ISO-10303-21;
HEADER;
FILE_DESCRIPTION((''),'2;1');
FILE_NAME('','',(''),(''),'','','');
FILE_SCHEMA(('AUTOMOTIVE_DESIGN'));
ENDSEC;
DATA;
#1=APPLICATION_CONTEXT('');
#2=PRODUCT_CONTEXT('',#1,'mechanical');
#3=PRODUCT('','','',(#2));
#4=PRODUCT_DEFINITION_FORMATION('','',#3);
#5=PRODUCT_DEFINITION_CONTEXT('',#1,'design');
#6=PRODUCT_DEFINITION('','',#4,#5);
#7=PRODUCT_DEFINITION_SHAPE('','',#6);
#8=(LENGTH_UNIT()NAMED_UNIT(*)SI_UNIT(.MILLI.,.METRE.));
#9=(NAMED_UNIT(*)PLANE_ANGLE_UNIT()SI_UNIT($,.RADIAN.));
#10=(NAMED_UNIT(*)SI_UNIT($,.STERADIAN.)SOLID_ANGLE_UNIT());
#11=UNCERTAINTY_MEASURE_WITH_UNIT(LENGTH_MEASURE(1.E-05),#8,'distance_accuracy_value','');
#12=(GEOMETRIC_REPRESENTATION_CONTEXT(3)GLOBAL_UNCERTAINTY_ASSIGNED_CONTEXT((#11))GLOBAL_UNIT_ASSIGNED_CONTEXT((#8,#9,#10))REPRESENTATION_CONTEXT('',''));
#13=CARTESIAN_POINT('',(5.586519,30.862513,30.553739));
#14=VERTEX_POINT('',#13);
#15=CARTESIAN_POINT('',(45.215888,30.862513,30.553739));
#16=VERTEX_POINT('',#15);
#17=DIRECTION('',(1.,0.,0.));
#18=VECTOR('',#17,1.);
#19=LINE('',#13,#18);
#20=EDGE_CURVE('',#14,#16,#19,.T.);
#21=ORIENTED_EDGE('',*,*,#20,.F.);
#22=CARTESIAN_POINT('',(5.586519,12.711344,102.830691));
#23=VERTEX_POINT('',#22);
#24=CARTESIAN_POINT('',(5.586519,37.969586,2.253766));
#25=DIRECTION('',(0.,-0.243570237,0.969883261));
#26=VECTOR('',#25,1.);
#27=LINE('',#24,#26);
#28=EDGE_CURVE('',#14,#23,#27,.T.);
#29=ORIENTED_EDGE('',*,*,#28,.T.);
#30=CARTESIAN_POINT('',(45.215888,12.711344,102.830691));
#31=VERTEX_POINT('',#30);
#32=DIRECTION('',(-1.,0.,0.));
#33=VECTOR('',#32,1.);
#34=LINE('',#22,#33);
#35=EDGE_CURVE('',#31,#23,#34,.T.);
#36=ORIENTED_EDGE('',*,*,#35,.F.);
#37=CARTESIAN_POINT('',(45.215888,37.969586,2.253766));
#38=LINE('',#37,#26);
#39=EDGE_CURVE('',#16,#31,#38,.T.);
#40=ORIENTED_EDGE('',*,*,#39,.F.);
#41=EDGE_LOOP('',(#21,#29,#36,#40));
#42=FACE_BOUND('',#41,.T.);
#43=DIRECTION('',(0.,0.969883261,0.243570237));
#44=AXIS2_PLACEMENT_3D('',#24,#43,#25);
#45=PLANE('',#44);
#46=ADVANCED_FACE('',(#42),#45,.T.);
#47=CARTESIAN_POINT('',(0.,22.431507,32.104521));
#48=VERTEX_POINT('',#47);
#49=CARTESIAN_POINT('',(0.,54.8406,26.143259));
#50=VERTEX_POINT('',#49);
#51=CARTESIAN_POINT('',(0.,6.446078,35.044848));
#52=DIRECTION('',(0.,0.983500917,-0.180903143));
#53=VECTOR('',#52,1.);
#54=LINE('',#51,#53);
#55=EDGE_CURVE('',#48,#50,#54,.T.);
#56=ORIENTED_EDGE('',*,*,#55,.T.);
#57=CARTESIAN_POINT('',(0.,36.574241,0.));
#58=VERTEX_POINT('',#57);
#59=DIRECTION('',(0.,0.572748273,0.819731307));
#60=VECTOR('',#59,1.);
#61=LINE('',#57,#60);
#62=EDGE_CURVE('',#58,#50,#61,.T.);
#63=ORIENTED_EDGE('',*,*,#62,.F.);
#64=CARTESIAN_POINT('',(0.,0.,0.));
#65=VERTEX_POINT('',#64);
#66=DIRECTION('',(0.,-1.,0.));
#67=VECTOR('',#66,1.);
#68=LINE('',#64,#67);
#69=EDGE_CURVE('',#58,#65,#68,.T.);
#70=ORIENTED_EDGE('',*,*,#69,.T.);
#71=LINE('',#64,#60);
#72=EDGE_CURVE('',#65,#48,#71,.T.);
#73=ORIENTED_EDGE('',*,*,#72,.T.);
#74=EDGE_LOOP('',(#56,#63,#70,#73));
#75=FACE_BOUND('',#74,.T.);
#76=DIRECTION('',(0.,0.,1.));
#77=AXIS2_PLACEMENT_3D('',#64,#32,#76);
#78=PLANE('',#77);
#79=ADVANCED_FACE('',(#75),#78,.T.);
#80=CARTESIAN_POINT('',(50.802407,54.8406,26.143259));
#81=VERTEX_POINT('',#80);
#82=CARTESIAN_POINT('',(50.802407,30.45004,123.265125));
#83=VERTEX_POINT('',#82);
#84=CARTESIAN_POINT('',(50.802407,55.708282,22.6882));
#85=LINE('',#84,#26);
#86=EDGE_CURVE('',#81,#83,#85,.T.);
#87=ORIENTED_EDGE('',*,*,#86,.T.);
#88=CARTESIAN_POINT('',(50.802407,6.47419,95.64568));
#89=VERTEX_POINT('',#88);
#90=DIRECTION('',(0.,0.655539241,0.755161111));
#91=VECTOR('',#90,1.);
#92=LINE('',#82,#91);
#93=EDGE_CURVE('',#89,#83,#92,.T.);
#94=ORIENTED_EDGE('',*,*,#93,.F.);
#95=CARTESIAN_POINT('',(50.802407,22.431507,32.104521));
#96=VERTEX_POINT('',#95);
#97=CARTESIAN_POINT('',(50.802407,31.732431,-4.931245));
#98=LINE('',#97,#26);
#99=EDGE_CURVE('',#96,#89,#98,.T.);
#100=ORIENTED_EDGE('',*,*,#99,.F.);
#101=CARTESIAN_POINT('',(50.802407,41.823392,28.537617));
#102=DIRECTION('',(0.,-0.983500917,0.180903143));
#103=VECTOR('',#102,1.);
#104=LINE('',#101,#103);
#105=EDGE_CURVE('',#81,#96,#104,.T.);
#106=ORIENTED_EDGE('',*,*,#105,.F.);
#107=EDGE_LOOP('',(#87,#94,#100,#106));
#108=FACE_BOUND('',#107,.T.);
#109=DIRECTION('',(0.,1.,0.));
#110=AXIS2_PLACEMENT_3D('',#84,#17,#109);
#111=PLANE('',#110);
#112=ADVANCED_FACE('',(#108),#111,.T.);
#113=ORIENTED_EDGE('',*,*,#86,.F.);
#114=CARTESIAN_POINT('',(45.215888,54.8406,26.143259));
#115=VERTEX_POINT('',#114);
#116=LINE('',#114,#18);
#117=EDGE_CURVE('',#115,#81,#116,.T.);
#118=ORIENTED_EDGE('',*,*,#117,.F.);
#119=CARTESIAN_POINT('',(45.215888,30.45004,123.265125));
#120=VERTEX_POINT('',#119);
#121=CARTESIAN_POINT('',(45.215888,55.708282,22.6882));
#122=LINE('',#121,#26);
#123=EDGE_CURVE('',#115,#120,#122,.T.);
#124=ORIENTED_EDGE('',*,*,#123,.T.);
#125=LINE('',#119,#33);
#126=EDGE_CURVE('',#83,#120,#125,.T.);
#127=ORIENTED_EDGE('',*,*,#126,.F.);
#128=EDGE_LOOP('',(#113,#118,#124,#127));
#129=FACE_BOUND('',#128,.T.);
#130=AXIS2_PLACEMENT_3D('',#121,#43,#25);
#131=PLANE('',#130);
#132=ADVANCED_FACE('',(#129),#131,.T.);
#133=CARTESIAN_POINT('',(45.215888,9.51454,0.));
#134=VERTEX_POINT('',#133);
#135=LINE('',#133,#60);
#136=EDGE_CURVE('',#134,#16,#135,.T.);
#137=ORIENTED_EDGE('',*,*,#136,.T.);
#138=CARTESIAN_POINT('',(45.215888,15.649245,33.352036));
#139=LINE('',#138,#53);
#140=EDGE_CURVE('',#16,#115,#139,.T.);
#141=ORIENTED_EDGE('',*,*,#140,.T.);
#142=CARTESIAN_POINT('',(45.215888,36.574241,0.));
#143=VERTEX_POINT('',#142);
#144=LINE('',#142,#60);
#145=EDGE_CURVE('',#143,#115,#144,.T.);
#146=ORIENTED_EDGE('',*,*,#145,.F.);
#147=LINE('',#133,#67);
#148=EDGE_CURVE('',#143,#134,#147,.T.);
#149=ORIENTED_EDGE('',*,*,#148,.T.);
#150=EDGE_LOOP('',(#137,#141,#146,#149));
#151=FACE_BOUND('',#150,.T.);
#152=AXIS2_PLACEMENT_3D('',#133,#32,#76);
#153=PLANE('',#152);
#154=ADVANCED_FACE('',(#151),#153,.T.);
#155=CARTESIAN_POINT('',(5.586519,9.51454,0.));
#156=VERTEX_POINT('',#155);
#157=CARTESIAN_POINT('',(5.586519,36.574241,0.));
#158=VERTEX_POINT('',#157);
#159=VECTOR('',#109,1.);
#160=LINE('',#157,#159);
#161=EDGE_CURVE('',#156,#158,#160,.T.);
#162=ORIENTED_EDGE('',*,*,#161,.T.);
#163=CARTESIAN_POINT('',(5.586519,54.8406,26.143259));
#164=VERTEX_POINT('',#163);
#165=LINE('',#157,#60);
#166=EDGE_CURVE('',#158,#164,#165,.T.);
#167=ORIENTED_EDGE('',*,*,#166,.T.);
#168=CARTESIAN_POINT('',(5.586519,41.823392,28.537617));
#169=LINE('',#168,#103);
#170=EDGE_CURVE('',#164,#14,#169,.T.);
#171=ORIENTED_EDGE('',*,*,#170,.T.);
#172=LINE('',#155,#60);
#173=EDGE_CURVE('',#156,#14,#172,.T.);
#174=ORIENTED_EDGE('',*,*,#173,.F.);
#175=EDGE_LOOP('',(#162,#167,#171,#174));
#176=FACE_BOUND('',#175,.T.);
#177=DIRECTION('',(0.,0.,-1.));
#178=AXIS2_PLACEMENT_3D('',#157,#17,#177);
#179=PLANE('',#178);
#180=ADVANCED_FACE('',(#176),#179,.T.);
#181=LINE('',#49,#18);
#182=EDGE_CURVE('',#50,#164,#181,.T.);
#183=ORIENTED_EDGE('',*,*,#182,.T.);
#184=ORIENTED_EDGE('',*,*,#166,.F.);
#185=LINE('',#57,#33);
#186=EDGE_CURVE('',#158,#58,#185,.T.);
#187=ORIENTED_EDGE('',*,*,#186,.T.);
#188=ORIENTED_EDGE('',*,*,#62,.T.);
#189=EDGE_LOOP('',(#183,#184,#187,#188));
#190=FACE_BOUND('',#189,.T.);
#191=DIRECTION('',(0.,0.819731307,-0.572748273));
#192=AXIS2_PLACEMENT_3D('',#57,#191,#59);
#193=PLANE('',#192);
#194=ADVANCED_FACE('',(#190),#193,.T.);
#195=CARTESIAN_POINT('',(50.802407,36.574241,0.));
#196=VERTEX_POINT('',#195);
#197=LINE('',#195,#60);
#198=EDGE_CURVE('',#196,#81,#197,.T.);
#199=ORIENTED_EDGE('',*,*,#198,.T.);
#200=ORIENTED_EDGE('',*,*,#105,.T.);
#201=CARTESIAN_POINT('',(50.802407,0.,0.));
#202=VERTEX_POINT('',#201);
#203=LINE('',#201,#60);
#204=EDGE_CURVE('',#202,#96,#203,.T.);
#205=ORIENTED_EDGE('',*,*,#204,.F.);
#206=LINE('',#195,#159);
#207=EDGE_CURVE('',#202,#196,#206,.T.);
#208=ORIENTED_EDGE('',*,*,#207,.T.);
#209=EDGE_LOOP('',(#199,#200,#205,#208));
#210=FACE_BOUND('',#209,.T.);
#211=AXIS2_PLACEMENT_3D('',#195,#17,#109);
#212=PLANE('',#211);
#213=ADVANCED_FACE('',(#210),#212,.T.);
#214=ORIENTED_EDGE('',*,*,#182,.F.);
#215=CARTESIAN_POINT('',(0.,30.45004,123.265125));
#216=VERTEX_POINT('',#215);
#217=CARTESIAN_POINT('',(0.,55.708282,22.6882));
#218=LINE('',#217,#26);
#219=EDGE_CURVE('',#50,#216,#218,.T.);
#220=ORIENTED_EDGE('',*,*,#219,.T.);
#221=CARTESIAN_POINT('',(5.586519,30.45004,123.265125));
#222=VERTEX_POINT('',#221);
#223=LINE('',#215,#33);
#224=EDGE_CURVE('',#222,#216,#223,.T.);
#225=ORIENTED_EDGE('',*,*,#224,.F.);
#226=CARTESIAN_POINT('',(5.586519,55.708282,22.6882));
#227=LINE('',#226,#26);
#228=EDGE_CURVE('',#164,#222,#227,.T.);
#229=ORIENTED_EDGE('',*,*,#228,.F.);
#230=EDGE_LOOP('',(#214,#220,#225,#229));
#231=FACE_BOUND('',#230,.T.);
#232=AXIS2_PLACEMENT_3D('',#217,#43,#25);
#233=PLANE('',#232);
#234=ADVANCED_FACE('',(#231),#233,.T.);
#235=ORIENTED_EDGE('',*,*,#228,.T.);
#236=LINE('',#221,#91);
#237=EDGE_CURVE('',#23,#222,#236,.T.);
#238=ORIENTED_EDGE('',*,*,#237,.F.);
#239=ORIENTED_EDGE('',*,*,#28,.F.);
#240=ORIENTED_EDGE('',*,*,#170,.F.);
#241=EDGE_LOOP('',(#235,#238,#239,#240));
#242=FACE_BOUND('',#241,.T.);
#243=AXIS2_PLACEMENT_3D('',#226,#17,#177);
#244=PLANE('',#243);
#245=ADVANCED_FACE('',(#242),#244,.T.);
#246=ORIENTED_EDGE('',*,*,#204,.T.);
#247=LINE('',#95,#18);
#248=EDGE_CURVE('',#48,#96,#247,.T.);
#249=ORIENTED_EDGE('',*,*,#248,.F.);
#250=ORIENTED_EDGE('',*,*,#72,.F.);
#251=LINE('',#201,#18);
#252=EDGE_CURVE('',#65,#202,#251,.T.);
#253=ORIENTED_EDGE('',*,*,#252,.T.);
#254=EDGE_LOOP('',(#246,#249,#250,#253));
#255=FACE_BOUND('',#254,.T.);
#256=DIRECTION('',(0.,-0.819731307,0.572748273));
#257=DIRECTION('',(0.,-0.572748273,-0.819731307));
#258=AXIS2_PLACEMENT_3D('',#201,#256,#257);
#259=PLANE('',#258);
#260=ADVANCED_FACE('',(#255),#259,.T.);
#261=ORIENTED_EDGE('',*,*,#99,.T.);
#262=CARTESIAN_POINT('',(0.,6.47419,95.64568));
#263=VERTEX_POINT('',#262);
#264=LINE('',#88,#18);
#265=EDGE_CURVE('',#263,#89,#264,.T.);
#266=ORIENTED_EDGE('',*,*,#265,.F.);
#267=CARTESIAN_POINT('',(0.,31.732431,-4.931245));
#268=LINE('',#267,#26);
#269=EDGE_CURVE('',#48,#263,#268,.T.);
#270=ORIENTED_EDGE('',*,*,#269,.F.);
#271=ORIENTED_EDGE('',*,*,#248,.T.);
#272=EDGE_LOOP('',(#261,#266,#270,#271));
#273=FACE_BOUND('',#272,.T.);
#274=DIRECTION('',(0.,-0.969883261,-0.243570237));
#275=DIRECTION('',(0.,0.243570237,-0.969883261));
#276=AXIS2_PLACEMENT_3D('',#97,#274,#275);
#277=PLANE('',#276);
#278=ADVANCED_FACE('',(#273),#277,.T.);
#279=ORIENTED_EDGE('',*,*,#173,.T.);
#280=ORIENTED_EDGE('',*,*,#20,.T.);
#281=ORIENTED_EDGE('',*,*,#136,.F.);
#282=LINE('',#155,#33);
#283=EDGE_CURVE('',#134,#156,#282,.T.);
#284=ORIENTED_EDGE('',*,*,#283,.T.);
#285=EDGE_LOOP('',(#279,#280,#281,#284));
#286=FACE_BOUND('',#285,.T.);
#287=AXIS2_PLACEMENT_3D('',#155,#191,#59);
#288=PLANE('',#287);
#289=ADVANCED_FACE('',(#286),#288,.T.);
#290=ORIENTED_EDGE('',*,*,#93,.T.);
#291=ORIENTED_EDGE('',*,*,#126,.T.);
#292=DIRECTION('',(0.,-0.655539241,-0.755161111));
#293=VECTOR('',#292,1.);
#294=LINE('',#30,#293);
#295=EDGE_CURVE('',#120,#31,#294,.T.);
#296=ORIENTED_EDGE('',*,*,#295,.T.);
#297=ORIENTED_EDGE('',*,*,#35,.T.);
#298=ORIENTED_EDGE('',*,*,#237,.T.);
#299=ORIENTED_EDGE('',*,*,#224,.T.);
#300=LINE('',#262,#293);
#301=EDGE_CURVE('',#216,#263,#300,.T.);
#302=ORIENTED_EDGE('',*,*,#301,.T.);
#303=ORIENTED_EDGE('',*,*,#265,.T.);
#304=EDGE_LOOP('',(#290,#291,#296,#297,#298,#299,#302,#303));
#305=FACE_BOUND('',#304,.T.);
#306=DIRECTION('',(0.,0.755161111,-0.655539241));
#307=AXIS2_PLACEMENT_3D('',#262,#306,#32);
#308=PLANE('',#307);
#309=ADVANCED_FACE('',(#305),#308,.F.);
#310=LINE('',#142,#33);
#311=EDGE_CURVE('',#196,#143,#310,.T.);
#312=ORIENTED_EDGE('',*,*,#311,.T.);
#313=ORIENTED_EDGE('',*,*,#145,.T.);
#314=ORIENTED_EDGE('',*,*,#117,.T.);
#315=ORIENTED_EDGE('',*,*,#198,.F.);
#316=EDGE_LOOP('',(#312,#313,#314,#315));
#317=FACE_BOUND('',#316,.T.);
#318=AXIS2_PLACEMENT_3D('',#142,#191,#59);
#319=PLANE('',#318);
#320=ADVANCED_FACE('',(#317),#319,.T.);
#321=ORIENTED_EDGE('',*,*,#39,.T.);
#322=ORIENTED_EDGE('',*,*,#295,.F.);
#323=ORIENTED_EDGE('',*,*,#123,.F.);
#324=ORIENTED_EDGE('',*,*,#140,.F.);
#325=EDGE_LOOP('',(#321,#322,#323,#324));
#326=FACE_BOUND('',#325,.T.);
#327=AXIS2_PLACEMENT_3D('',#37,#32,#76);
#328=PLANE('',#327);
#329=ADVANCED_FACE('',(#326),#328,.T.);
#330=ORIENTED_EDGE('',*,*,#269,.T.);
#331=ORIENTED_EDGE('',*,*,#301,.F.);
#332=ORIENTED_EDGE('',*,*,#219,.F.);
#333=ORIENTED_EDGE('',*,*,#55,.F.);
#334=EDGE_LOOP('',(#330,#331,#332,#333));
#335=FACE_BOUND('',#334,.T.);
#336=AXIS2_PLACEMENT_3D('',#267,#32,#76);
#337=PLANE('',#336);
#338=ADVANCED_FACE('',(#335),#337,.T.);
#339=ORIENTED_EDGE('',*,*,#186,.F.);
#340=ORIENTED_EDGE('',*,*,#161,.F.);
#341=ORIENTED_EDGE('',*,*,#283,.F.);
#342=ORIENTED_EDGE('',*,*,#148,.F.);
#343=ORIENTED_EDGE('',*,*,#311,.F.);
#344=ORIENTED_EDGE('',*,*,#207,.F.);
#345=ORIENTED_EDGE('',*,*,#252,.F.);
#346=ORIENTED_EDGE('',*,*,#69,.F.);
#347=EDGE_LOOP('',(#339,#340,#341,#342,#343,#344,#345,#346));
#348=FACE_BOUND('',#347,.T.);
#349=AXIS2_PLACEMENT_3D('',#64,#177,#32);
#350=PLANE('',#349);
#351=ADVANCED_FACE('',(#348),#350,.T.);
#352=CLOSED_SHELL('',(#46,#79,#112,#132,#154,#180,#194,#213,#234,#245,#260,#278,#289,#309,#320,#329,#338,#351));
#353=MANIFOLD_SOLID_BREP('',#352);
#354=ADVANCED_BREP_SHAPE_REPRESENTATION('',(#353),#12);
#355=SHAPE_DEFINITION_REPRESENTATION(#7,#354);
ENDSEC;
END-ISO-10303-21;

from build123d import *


with BuildPart() as part:
    # Sweep1: sweep along a path in Sketch2
    with BuildLine(Plane(origin=(0, 0, 0), x_dir=(0, 0, -1), z_dir=(1, 0, 0))) as sweep1_path:
        Line((0, 0), (-32.104520915, 22.431507437))
        Line((-32.104520915, 22.431507437), (-95.645680379, 6.47418981))
    # Sketch1 → Sweep1 (sweep)
    with BuildSketch(Plane.XY):
        Polygon((0, 0), (0, 36.574241376), (5.586518969, 36.574241376), (5.586518969, 9.514540119), (45.215887907, 9.514540119), (45.215887907, 36.574241376), (50.802406876, 36.574241376), (50.802406876, 0), align=None)
    sweep(path=sweep1_path.line, transition=Transition.RIGHT)


solid = part.part
